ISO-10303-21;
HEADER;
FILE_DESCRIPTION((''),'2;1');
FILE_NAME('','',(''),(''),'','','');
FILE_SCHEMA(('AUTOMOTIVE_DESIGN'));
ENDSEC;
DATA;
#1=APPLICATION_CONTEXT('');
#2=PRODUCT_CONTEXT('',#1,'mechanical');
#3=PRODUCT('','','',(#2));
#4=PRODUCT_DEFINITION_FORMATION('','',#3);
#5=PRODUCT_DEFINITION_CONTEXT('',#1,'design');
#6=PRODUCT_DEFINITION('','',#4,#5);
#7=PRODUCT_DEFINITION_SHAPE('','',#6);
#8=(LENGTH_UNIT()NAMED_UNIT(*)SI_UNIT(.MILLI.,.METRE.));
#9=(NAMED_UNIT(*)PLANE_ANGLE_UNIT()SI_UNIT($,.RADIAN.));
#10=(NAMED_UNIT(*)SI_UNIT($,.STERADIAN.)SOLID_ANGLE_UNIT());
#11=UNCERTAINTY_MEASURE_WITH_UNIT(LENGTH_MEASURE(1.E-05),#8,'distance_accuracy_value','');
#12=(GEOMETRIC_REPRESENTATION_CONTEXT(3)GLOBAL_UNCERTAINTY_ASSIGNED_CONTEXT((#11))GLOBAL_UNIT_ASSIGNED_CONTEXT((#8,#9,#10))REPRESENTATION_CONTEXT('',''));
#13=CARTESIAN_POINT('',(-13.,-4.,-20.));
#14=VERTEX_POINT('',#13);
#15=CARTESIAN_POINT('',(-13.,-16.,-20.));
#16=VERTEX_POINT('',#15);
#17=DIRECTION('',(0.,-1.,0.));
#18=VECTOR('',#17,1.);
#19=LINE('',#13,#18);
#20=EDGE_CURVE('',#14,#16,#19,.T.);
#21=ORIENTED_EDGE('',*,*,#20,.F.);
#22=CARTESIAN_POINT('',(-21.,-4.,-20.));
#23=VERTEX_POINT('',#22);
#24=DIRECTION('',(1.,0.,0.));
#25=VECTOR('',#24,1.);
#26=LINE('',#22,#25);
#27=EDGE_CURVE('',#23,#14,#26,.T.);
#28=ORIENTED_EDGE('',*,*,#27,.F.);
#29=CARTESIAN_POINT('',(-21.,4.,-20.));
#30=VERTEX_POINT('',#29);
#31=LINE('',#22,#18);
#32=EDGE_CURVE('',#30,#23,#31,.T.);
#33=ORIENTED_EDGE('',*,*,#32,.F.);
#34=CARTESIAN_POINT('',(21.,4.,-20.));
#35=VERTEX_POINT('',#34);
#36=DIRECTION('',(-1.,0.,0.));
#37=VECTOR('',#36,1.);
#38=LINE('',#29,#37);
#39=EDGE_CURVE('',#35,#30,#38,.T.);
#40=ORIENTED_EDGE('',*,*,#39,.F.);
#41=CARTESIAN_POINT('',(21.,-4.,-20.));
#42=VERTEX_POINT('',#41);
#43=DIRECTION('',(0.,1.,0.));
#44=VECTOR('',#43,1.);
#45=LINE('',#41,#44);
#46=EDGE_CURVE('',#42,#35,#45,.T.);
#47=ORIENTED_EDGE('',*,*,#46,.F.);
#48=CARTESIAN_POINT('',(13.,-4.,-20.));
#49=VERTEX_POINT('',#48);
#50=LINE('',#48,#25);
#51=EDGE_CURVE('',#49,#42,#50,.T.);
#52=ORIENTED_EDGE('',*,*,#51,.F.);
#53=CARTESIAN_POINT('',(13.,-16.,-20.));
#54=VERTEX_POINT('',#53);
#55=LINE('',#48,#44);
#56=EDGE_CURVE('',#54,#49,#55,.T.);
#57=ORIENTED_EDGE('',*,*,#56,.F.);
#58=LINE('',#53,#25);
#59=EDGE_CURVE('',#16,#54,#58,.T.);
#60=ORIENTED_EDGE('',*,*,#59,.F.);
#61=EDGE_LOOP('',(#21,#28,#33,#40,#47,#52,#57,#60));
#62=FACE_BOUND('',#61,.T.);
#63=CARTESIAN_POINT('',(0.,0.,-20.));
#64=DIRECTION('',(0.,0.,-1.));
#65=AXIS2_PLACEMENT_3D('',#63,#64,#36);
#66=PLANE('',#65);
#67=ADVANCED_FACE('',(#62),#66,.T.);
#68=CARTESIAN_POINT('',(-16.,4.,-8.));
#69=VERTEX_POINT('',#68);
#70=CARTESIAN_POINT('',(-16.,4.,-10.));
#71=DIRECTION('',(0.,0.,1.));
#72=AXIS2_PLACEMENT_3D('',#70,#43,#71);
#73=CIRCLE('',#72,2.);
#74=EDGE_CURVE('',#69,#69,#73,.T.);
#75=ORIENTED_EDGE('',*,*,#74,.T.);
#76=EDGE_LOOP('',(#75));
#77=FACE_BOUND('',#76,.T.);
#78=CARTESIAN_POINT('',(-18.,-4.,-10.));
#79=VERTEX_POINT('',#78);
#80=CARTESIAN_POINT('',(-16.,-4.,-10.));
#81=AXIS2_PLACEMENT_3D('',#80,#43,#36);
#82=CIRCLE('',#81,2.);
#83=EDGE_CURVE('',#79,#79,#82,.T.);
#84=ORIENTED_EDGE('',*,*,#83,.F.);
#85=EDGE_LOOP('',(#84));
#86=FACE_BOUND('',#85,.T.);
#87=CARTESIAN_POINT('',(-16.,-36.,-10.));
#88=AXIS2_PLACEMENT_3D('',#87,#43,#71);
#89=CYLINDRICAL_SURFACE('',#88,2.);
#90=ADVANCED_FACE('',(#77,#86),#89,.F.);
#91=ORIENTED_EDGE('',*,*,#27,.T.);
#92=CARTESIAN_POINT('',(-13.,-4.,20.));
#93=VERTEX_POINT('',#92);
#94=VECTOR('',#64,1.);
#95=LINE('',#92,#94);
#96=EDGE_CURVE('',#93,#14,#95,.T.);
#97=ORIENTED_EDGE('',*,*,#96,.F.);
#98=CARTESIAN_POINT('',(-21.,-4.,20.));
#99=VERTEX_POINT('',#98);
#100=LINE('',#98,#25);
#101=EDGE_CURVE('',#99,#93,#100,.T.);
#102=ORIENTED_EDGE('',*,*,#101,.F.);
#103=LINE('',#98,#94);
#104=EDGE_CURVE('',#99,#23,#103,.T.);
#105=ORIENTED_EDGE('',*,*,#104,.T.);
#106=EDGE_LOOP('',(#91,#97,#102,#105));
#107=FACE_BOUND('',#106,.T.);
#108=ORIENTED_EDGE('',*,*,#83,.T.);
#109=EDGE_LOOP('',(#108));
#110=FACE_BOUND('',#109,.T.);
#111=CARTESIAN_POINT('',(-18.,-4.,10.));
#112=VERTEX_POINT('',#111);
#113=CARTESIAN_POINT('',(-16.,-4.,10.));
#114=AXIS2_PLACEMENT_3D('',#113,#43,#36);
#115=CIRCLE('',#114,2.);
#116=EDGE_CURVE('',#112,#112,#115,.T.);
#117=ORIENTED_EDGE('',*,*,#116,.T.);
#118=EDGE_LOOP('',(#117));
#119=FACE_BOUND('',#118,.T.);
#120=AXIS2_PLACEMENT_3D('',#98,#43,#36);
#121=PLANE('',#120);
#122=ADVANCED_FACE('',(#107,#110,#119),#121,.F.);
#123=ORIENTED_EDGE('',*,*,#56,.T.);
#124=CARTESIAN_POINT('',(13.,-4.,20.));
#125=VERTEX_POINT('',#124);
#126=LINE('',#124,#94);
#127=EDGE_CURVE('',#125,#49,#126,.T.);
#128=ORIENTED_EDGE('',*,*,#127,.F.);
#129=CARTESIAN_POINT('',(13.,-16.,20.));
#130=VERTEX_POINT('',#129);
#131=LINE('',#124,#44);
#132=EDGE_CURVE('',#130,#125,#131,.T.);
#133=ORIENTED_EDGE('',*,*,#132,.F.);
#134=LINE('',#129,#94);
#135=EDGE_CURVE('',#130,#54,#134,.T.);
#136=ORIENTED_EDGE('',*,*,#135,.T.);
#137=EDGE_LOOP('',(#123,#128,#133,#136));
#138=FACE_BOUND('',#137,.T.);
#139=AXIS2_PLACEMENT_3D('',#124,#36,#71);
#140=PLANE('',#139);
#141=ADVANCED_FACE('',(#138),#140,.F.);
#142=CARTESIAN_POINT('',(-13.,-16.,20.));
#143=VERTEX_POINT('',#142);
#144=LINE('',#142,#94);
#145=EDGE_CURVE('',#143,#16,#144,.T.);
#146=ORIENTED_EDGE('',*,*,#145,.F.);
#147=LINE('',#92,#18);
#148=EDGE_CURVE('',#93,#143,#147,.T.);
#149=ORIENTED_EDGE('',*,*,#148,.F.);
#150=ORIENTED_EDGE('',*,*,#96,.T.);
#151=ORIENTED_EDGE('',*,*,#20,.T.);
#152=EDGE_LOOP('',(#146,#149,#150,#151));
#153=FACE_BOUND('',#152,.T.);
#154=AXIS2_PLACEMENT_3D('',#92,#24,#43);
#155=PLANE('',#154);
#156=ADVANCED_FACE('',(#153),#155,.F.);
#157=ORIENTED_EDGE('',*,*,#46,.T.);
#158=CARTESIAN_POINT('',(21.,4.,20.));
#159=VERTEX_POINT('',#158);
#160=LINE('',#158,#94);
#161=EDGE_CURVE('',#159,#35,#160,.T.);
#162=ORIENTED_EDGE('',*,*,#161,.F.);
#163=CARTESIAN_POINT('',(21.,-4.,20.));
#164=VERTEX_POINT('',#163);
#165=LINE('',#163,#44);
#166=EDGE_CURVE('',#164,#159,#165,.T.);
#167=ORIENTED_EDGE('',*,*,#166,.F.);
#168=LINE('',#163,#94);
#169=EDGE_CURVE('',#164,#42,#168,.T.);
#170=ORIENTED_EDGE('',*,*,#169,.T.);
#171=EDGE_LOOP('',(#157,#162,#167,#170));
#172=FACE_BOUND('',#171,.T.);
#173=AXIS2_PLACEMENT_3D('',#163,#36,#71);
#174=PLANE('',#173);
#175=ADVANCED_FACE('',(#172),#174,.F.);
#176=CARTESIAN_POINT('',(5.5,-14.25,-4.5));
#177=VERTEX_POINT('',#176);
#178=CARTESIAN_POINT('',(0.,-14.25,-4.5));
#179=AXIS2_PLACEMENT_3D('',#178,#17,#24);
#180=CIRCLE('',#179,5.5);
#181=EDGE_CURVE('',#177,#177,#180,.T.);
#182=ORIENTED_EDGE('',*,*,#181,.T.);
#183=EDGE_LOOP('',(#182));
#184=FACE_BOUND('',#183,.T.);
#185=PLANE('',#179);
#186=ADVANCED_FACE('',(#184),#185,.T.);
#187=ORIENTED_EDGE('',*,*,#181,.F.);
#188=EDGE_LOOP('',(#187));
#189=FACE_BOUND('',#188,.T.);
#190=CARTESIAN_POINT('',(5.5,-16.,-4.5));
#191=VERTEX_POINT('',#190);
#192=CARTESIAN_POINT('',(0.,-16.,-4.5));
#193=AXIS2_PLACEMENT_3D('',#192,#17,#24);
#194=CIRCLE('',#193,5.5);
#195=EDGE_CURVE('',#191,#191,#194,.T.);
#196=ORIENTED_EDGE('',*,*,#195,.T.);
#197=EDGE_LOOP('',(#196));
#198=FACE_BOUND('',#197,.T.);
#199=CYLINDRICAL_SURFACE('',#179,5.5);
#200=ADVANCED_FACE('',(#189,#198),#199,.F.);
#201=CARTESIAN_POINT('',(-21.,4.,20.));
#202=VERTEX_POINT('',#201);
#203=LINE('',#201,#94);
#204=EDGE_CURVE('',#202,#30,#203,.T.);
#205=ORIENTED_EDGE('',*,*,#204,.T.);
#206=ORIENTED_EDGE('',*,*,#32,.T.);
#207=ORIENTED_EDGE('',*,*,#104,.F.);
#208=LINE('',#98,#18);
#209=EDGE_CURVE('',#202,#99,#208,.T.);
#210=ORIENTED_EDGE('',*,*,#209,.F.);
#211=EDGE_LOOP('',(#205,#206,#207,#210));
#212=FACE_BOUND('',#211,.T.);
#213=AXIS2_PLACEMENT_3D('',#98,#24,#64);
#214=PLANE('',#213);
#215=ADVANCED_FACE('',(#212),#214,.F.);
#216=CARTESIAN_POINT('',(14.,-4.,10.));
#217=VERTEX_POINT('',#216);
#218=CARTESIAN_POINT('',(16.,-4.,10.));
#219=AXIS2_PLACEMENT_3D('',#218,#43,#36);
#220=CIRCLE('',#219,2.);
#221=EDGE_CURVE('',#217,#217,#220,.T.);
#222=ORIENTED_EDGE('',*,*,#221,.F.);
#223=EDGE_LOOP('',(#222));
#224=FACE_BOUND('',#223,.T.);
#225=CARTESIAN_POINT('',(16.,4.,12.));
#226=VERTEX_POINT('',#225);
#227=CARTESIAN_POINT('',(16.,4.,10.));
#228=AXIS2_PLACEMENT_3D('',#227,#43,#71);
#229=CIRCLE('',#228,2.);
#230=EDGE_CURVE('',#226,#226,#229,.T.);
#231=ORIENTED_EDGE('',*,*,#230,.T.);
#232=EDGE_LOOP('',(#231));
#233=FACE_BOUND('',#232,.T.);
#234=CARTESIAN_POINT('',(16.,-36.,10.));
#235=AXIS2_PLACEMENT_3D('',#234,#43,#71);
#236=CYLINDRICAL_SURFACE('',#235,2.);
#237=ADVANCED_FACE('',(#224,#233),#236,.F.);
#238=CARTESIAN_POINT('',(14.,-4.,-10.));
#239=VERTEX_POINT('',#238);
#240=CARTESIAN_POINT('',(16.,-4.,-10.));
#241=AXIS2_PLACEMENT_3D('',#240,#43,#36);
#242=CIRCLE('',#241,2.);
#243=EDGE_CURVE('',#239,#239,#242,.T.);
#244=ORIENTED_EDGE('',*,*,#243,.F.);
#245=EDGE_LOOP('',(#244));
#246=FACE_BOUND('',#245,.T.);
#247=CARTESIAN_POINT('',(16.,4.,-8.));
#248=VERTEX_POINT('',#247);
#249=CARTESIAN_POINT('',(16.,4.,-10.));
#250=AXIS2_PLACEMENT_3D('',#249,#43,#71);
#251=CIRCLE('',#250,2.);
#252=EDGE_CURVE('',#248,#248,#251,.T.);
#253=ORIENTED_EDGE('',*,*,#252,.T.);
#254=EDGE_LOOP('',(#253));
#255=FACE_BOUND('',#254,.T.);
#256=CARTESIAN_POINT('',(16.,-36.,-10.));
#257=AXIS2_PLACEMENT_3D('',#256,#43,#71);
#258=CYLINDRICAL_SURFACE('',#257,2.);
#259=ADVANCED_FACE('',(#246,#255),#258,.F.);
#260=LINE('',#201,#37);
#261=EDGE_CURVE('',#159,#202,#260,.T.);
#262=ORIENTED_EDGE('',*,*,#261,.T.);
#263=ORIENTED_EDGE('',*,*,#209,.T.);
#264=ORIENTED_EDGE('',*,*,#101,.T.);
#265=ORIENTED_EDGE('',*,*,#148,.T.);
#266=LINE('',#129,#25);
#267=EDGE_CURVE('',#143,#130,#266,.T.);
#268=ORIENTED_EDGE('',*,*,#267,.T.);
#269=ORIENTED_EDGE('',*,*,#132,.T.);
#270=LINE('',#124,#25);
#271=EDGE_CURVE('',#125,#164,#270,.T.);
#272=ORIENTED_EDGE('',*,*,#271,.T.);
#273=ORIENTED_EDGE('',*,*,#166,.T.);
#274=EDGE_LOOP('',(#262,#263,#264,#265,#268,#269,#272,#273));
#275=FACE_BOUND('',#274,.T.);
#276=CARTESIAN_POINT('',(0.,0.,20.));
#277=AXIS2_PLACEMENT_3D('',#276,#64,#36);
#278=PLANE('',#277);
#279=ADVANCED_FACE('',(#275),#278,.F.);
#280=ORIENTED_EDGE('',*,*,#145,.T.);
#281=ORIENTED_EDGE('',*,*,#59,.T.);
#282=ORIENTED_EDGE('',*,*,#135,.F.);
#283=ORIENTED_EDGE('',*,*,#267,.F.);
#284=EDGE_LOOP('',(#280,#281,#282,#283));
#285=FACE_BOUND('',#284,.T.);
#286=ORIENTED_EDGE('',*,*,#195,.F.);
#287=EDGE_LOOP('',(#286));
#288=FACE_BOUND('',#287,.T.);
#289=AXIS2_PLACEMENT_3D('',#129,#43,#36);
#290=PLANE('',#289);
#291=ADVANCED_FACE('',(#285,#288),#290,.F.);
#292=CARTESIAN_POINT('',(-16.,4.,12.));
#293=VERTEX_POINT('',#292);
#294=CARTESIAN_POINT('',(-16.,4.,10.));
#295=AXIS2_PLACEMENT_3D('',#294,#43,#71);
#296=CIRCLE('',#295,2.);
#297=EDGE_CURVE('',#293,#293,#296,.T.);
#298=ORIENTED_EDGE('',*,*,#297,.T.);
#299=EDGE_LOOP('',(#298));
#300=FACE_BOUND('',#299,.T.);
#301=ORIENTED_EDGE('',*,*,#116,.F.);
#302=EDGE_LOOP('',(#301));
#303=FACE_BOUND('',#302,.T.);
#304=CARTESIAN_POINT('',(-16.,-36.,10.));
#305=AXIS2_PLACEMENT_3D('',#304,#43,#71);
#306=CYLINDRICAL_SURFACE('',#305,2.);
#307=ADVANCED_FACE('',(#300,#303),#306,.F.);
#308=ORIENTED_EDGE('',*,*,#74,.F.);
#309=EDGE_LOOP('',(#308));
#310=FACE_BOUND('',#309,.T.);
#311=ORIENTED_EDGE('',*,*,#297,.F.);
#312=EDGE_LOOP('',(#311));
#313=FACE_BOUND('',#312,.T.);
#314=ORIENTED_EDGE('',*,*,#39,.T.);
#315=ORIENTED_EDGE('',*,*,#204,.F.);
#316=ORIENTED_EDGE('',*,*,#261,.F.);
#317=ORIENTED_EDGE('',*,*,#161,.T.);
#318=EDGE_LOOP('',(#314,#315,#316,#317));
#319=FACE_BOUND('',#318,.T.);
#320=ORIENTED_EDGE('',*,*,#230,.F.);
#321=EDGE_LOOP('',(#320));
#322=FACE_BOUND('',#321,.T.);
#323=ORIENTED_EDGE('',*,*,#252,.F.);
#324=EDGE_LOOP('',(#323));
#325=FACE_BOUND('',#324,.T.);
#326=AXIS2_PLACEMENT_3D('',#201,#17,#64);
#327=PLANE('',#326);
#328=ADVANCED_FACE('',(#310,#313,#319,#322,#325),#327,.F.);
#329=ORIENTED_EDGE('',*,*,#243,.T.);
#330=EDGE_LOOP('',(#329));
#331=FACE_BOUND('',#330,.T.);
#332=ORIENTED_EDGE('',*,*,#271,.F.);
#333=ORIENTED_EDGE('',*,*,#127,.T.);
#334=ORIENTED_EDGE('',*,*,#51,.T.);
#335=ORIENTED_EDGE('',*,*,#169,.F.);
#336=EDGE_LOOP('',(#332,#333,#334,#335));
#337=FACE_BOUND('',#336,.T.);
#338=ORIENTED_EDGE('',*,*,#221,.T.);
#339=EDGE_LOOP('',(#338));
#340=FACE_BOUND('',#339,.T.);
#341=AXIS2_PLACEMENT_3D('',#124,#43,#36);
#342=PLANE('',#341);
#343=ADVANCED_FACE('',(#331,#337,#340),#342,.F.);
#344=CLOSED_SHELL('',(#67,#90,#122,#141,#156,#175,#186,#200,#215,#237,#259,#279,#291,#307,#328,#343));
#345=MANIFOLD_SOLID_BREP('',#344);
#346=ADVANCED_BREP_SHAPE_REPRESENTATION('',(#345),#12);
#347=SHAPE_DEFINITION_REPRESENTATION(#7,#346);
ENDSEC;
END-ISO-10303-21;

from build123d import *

# Parameters (mm, degrees)
BOSS_EXTRUDE1_DEPTH = 20
SKETCH2_R           = 2
CUT_EXTRUDE1_DEPTH  = 40
SKETCH4_R           = 5.5
CUT_EXTRUDE2_DEPTH  = 1.75


with BuildPart() as part:
    # Sketch1 → Boss-Extrude1 (new body, symmetric)
    with BuildSketch(Plane.XY):
        Polygon((13, -4), (21, -4), (21, 4), (-21, 4), (-21, -4), (-13, -4), (-13, -16), (13, -16), align=None)
    extrude(amount=BOSS_EXTRUDE1_DEPTH, both=True)

    # Sketch2 → Cut-Extrude1 (cut)
    with BuildSketch(Plane(origin=(0, 4, 0), x_dir=(1, 0, 0), z_dir=(0, 1, 0))):
        with Locations((-16, 10)):
            Circle(SKETCH2_R)
        with Locations((16, 10)):
            Circle(SKETCH2_R)
        with Locations((-16, -10)):
            Circle(SKETCH2_R)
        with Locations((16, -10)):
            Circle(SKETCH2_R)
    extrude(amount=-CUT_EXTRUDE1_DEPTH, mode=Mode.SUBTRACT)

    # Sketch4 → Cut-Extrude2 (cut)
    with BuildSketch(Plane.XZ.offset(16)):
        with Locations((0, -4.5)):
            Circle(SKETCH4_R)
    extrude(amount=-CUT_EXTRUDE2_DEPTH, mode=Mode.SUBTRACT)


solid = part.part
